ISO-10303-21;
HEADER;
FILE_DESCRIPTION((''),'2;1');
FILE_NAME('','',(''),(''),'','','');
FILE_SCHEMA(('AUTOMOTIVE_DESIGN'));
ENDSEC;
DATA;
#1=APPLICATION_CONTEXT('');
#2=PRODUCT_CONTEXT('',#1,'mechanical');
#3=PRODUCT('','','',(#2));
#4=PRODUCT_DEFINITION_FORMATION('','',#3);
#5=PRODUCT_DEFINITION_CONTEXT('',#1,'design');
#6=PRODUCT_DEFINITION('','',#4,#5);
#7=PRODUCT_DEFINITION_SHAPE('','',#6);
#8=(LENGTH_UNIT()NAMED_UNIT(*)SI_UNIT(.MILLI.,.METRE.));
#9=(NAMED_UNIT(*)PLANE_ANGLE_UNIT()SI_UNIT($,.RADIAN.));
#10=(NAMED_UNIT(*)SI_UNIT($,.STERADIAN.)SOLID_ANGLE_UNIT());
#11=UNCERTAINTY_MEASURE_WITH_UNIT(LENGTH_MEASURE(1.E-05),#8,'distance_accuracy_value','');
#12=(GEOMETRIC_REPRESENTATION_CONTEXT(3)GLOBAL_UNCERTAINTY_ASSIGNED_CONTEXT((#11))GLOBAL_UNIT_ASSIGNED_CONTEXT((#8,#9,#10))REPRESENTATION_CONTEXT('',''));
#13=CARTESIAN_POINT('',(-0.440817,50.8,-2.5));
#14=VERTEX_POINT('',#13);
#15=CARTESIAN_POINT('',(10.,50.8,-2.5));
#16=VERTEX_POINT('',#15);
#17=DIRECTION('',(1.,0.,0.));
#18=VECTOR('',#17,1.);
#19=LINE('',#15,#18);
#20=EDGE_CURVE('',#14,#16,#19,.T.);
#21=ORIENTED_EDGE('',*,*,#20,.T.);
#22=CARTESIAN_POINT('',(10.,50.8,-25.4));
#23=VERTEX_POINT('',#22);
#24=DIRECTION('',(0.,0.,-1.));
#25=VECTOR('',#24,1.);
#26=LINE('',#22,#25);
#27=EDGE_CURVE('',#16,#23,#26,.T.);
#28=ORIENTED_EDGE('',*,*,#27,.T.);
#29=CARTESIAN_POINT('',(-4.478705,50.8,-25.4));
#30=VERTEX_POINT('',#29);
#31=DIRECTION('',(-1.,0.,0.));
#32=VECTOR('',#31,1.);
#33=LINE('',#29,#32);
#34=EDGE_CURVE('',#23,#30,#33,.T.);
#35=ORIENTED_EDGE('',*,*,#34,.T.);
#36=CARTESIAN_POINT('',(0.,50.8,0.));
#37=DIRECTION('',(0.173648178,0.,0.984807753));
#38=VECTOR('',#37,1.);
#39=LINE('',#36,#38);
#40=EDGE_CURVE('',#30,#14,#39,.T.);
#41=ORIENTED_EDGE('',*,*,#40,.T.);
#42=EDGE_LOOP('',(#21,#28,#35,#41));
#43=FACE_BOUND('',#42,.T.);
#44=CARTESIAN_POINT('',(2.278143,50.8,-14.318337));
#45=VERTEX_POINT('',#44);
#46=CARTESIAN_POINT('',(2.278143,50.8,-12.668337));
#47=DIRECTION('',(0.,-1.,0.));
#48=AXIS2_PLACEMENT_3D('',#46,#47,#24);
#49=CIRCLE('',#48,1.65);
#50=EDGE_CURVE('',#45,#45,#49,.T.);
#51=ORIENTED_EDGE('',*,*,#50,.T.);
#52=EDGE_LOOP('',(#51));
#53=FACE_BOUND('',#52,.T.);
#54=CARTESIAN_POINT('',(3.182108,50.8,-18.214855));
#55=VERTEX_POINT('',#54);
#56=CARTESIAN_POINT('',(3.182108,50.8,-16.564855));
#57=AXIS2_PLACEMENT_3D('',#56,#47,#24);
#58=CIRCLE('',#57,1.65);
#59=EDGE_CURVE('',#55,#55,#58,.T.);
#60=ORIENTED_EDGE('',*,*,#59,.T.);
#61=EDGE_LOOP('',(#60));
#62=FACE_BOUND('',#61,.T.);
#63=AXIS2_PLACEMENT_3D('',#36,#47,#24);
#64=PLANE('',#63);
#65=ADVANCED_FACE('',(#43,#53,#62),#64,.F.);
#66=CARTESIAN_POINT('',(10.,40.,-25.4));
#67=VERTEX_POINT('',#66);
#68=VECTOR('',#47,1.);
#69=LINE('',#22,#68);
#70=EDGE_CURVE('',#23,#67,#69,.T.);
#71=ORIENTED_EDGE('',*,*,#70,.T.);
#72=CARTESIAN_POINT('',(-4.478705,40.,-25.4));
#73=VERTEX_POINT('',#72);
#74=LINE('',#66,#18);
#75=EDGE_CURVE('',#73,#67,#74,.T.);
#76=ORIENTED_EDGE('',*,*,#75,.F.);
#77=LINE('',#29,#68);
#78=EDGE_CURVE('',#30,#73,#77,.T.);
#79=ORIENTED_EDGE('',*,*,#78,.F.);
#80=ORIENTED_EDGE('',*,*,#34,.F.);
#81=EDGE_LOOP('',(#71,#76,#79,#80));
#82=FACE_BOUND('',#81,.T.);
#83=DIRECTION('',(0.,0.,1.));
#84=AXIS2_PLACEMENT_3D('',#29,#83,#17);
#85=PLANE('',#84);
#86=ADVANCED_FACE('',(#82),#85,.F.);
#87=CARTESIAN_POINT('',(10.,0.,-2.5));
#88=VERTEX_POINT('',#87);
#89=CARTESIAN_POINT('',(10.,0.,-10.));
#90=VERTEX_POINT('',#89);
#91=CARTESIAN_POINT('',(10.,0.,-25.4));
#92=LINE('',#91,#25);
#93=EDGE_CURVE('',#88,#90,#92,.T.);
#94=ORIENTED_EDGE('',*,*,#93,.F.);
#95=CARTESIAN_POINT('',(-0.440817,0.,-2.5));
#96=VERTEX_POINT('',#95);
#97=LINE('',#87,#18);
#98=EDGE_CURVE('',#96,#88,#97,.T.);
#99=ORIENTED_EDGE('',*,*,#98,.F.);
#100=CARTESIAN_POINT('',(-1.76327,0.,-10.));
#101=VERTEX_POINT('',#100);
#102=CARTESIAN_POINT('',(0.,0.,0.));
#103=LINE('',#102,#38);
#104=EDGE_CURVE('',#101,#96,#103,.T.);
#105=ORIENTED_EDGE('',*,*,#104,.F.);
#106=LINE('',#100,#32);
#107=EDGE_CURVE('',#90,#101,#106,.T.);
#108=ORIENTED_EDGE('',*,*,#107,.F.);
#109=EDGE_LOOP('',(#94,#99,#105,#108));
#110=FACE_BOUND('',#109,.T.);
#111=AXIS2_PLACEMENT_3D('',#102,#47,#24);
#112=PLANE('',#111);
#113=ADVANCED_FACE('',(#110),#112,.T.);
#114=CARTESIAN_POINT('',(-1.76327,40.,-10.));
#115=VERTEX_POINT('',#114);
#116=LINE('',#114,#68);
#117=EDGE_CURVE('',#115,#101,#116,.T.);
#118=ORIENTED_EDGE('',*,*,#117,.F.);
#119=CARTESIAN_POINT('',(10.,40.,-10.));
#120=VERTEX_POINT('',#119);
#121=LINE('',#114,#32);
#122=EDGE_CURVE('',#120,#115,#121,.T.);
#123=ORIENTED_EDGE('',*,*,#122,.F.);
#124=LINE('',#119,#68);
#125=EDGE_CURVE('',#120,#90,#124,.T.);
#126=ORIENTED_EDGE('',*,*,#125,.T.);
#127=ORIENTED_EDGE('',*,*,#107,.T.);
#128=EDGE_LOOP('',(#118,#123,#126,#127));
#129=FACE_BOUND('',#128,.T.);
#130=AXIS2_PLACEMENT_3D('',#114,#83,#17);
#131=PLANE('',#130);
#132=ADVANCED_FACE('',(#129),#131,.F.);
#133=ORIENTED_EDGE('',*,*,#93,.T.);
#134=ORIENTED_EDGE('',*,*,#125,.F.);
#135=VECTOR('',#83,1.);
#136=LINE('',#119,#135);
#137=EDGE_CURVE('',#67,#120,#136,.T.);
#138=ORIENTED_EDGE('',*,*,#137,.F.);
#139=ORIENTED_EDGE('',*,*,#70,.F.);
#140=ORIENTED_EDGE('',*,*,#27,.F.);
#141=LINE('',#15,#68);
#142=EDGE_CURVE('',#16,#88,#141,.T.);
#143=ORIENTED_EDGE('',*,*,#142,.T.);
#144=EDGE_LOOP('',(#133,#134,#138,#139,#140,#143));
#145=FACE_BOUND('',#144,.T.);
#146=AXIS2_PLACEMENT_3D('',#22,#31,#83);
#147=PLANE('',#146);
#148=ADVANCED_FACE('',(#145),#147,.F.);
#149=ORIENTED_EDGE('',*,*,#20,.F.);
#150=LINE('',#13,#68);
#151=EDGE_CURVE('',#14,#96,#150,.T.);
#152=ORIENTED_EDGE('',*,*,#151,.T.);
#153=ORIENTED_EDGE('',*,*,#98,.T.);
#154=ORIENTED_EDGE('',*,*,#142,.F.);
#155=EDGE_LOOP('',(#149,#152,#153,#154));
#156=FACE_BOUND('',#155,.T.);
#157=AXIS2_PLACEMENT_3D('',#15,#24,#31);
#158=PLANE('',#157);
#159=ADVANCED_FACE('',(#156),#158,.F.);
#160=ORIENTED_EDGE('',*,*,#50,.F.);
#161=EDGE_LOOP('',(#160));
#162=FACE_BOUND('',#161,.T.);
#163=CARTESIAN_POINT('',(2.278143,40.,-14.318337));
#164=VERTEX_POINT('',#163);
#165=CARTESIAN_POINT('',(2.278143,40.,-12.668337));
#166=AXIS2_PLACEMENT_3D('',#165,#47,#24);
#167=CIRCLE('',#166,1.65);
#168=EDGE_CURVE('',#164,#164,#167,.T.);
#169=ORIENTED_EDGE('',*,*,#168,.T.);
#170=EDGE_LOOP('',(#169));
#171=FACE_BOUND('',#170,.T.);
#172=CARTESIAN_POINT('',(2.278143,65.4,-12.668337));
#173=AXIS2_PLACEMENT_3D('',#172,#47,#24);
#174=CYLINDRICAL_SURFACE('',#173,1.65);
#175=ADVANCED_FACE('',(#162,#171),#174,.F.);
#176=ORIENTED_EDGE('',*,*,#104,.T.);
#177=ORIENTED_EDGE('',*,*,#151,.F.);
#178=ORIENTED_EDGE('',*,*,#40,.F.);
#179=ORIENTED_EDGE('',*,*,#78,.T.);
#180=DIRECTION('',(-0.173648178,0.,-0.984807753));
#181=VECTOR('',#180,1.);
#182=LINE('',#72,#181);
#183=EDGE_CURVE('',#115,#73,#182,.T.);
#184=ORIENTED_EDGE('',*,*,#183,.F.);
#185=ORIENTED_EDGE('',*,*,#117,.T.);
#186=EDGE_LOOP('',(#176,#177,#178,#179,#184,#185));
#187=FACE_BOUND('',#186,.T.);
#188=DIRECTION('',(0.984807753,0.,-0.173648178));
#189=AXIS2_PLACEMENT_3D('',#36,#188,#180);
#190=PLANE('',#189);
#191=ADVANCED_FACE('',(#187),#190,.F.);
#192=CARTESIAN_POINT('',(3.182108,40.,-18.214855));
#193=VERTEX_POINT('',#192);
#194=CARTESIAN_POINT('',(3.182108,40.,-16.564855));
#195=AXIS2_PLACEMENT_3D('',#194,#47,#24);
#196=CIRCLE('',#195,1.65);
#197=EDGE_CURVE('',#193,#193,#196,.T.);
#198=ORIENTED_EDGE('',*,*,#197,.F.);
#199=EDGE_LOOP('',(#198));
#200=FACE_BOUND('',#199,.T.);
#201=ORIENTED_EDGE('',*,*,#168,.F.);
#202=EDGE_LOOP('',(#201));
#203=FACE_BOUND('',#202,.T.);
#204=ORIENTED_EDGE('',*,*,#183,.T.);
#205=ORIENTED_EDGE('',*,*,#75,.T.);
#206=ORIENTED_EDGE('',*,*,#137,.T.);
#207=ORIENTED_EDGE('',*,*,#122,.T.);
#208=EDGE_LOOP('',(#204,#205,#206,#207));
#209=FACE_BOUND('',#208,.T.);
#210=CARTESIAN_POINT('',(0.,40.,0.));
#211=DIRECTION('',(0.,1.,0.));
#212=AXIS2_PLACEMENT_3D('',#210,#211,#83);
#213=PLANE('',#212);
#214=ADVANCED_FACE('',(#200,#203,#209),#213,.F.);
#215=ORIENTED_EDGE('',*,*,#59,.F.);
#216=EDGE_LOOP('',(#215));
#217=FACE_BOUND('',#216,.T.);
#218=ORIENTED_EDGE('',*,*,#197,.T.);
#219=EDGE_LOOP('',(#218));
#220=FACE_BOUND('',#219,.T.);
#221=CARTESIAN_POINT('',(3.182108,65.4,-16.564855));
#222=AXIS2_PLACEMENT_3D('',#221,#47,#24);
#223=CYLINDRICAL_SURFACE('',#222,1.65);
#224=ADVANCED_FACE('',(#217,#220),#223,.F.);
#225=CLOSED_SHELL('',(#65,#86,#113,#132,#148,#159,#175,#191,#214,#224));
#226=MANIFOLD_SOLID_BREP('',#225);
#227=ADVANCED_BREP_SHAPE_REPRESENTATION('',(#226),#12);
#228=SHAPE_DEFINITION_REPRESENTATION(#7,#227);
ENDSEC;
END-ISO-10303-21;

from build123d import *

# Parameters (mm, degrees)
BOSS_EXTRUDE1_DEPTH = 50.8
CUT_EXTRUDE1_DEPTH  = 40
CUT_EXTRUDE2_DEPTH  = 50.8
SKETCH4_R           = 1.65
CUT_EXTRUDE3_DEPTH  = 25.4


with BuildPart() as part:
    # Sketch1 → Boss-Extrude1 (new body)
    with BuildSketch(Plane(origin=(0, 0, 0), x_dir=(1, 0, 0), z_dir=(0, 1, 0))):
        Polygon((0, 0), (-4.47870531, 25.4), (10, 25.4), (10, 0), align=None)
    extrude(amount=BOSS_EXTRUDE1_DEPTH)

    # Sketch2 → Cut-Extrude1 (cut)
    with BuildSketch(Plane.XZ):
        Polygon((10, -25.4), (-4.47870531, -25.4), (-1.763269807, -10), (10, -10), align=None)
    extrude(amount=-CUT_EXTRUDE1_DEPTH, mode=Mode.SUBTRACT)

    # Sketch3 → Cut-Extrude2 (cut)
    with BuildSketch(Plane(origin=(0, 0, 0), x_dir=(-1, 0, 0), z_dir=(0, -1, 0))):
        Polygon((-10, 2.5), (0.440817452, 2.5), (0, 0), (-10, 0), align=None)
    extrude(amount=-CUT_EXTRUDE2_DEPTH, mode=Mode.SUBTRACT)

    # Sketch4 → Cut-Extrude3 (cut)
    with BuildSketch(Plane(origin=(0, 40, 0), x_dir=(-1, 0, 0), z_dir=(0, -1, 0))):
        with Locations(Location((-3.18210765, 16.56485457, 0), (0, 0, 90))):
            Circle(SKETCH4_R)
        with Locations(Location((-2.278142793, 12.66833721, 0), (0, 0, 90))):
            Circle(SKETCH4_R)
    extrude(amount=-CUT_EXTRUDE3_DEPTH, mode=Mode.SUBTRACT)


solid = part.part
